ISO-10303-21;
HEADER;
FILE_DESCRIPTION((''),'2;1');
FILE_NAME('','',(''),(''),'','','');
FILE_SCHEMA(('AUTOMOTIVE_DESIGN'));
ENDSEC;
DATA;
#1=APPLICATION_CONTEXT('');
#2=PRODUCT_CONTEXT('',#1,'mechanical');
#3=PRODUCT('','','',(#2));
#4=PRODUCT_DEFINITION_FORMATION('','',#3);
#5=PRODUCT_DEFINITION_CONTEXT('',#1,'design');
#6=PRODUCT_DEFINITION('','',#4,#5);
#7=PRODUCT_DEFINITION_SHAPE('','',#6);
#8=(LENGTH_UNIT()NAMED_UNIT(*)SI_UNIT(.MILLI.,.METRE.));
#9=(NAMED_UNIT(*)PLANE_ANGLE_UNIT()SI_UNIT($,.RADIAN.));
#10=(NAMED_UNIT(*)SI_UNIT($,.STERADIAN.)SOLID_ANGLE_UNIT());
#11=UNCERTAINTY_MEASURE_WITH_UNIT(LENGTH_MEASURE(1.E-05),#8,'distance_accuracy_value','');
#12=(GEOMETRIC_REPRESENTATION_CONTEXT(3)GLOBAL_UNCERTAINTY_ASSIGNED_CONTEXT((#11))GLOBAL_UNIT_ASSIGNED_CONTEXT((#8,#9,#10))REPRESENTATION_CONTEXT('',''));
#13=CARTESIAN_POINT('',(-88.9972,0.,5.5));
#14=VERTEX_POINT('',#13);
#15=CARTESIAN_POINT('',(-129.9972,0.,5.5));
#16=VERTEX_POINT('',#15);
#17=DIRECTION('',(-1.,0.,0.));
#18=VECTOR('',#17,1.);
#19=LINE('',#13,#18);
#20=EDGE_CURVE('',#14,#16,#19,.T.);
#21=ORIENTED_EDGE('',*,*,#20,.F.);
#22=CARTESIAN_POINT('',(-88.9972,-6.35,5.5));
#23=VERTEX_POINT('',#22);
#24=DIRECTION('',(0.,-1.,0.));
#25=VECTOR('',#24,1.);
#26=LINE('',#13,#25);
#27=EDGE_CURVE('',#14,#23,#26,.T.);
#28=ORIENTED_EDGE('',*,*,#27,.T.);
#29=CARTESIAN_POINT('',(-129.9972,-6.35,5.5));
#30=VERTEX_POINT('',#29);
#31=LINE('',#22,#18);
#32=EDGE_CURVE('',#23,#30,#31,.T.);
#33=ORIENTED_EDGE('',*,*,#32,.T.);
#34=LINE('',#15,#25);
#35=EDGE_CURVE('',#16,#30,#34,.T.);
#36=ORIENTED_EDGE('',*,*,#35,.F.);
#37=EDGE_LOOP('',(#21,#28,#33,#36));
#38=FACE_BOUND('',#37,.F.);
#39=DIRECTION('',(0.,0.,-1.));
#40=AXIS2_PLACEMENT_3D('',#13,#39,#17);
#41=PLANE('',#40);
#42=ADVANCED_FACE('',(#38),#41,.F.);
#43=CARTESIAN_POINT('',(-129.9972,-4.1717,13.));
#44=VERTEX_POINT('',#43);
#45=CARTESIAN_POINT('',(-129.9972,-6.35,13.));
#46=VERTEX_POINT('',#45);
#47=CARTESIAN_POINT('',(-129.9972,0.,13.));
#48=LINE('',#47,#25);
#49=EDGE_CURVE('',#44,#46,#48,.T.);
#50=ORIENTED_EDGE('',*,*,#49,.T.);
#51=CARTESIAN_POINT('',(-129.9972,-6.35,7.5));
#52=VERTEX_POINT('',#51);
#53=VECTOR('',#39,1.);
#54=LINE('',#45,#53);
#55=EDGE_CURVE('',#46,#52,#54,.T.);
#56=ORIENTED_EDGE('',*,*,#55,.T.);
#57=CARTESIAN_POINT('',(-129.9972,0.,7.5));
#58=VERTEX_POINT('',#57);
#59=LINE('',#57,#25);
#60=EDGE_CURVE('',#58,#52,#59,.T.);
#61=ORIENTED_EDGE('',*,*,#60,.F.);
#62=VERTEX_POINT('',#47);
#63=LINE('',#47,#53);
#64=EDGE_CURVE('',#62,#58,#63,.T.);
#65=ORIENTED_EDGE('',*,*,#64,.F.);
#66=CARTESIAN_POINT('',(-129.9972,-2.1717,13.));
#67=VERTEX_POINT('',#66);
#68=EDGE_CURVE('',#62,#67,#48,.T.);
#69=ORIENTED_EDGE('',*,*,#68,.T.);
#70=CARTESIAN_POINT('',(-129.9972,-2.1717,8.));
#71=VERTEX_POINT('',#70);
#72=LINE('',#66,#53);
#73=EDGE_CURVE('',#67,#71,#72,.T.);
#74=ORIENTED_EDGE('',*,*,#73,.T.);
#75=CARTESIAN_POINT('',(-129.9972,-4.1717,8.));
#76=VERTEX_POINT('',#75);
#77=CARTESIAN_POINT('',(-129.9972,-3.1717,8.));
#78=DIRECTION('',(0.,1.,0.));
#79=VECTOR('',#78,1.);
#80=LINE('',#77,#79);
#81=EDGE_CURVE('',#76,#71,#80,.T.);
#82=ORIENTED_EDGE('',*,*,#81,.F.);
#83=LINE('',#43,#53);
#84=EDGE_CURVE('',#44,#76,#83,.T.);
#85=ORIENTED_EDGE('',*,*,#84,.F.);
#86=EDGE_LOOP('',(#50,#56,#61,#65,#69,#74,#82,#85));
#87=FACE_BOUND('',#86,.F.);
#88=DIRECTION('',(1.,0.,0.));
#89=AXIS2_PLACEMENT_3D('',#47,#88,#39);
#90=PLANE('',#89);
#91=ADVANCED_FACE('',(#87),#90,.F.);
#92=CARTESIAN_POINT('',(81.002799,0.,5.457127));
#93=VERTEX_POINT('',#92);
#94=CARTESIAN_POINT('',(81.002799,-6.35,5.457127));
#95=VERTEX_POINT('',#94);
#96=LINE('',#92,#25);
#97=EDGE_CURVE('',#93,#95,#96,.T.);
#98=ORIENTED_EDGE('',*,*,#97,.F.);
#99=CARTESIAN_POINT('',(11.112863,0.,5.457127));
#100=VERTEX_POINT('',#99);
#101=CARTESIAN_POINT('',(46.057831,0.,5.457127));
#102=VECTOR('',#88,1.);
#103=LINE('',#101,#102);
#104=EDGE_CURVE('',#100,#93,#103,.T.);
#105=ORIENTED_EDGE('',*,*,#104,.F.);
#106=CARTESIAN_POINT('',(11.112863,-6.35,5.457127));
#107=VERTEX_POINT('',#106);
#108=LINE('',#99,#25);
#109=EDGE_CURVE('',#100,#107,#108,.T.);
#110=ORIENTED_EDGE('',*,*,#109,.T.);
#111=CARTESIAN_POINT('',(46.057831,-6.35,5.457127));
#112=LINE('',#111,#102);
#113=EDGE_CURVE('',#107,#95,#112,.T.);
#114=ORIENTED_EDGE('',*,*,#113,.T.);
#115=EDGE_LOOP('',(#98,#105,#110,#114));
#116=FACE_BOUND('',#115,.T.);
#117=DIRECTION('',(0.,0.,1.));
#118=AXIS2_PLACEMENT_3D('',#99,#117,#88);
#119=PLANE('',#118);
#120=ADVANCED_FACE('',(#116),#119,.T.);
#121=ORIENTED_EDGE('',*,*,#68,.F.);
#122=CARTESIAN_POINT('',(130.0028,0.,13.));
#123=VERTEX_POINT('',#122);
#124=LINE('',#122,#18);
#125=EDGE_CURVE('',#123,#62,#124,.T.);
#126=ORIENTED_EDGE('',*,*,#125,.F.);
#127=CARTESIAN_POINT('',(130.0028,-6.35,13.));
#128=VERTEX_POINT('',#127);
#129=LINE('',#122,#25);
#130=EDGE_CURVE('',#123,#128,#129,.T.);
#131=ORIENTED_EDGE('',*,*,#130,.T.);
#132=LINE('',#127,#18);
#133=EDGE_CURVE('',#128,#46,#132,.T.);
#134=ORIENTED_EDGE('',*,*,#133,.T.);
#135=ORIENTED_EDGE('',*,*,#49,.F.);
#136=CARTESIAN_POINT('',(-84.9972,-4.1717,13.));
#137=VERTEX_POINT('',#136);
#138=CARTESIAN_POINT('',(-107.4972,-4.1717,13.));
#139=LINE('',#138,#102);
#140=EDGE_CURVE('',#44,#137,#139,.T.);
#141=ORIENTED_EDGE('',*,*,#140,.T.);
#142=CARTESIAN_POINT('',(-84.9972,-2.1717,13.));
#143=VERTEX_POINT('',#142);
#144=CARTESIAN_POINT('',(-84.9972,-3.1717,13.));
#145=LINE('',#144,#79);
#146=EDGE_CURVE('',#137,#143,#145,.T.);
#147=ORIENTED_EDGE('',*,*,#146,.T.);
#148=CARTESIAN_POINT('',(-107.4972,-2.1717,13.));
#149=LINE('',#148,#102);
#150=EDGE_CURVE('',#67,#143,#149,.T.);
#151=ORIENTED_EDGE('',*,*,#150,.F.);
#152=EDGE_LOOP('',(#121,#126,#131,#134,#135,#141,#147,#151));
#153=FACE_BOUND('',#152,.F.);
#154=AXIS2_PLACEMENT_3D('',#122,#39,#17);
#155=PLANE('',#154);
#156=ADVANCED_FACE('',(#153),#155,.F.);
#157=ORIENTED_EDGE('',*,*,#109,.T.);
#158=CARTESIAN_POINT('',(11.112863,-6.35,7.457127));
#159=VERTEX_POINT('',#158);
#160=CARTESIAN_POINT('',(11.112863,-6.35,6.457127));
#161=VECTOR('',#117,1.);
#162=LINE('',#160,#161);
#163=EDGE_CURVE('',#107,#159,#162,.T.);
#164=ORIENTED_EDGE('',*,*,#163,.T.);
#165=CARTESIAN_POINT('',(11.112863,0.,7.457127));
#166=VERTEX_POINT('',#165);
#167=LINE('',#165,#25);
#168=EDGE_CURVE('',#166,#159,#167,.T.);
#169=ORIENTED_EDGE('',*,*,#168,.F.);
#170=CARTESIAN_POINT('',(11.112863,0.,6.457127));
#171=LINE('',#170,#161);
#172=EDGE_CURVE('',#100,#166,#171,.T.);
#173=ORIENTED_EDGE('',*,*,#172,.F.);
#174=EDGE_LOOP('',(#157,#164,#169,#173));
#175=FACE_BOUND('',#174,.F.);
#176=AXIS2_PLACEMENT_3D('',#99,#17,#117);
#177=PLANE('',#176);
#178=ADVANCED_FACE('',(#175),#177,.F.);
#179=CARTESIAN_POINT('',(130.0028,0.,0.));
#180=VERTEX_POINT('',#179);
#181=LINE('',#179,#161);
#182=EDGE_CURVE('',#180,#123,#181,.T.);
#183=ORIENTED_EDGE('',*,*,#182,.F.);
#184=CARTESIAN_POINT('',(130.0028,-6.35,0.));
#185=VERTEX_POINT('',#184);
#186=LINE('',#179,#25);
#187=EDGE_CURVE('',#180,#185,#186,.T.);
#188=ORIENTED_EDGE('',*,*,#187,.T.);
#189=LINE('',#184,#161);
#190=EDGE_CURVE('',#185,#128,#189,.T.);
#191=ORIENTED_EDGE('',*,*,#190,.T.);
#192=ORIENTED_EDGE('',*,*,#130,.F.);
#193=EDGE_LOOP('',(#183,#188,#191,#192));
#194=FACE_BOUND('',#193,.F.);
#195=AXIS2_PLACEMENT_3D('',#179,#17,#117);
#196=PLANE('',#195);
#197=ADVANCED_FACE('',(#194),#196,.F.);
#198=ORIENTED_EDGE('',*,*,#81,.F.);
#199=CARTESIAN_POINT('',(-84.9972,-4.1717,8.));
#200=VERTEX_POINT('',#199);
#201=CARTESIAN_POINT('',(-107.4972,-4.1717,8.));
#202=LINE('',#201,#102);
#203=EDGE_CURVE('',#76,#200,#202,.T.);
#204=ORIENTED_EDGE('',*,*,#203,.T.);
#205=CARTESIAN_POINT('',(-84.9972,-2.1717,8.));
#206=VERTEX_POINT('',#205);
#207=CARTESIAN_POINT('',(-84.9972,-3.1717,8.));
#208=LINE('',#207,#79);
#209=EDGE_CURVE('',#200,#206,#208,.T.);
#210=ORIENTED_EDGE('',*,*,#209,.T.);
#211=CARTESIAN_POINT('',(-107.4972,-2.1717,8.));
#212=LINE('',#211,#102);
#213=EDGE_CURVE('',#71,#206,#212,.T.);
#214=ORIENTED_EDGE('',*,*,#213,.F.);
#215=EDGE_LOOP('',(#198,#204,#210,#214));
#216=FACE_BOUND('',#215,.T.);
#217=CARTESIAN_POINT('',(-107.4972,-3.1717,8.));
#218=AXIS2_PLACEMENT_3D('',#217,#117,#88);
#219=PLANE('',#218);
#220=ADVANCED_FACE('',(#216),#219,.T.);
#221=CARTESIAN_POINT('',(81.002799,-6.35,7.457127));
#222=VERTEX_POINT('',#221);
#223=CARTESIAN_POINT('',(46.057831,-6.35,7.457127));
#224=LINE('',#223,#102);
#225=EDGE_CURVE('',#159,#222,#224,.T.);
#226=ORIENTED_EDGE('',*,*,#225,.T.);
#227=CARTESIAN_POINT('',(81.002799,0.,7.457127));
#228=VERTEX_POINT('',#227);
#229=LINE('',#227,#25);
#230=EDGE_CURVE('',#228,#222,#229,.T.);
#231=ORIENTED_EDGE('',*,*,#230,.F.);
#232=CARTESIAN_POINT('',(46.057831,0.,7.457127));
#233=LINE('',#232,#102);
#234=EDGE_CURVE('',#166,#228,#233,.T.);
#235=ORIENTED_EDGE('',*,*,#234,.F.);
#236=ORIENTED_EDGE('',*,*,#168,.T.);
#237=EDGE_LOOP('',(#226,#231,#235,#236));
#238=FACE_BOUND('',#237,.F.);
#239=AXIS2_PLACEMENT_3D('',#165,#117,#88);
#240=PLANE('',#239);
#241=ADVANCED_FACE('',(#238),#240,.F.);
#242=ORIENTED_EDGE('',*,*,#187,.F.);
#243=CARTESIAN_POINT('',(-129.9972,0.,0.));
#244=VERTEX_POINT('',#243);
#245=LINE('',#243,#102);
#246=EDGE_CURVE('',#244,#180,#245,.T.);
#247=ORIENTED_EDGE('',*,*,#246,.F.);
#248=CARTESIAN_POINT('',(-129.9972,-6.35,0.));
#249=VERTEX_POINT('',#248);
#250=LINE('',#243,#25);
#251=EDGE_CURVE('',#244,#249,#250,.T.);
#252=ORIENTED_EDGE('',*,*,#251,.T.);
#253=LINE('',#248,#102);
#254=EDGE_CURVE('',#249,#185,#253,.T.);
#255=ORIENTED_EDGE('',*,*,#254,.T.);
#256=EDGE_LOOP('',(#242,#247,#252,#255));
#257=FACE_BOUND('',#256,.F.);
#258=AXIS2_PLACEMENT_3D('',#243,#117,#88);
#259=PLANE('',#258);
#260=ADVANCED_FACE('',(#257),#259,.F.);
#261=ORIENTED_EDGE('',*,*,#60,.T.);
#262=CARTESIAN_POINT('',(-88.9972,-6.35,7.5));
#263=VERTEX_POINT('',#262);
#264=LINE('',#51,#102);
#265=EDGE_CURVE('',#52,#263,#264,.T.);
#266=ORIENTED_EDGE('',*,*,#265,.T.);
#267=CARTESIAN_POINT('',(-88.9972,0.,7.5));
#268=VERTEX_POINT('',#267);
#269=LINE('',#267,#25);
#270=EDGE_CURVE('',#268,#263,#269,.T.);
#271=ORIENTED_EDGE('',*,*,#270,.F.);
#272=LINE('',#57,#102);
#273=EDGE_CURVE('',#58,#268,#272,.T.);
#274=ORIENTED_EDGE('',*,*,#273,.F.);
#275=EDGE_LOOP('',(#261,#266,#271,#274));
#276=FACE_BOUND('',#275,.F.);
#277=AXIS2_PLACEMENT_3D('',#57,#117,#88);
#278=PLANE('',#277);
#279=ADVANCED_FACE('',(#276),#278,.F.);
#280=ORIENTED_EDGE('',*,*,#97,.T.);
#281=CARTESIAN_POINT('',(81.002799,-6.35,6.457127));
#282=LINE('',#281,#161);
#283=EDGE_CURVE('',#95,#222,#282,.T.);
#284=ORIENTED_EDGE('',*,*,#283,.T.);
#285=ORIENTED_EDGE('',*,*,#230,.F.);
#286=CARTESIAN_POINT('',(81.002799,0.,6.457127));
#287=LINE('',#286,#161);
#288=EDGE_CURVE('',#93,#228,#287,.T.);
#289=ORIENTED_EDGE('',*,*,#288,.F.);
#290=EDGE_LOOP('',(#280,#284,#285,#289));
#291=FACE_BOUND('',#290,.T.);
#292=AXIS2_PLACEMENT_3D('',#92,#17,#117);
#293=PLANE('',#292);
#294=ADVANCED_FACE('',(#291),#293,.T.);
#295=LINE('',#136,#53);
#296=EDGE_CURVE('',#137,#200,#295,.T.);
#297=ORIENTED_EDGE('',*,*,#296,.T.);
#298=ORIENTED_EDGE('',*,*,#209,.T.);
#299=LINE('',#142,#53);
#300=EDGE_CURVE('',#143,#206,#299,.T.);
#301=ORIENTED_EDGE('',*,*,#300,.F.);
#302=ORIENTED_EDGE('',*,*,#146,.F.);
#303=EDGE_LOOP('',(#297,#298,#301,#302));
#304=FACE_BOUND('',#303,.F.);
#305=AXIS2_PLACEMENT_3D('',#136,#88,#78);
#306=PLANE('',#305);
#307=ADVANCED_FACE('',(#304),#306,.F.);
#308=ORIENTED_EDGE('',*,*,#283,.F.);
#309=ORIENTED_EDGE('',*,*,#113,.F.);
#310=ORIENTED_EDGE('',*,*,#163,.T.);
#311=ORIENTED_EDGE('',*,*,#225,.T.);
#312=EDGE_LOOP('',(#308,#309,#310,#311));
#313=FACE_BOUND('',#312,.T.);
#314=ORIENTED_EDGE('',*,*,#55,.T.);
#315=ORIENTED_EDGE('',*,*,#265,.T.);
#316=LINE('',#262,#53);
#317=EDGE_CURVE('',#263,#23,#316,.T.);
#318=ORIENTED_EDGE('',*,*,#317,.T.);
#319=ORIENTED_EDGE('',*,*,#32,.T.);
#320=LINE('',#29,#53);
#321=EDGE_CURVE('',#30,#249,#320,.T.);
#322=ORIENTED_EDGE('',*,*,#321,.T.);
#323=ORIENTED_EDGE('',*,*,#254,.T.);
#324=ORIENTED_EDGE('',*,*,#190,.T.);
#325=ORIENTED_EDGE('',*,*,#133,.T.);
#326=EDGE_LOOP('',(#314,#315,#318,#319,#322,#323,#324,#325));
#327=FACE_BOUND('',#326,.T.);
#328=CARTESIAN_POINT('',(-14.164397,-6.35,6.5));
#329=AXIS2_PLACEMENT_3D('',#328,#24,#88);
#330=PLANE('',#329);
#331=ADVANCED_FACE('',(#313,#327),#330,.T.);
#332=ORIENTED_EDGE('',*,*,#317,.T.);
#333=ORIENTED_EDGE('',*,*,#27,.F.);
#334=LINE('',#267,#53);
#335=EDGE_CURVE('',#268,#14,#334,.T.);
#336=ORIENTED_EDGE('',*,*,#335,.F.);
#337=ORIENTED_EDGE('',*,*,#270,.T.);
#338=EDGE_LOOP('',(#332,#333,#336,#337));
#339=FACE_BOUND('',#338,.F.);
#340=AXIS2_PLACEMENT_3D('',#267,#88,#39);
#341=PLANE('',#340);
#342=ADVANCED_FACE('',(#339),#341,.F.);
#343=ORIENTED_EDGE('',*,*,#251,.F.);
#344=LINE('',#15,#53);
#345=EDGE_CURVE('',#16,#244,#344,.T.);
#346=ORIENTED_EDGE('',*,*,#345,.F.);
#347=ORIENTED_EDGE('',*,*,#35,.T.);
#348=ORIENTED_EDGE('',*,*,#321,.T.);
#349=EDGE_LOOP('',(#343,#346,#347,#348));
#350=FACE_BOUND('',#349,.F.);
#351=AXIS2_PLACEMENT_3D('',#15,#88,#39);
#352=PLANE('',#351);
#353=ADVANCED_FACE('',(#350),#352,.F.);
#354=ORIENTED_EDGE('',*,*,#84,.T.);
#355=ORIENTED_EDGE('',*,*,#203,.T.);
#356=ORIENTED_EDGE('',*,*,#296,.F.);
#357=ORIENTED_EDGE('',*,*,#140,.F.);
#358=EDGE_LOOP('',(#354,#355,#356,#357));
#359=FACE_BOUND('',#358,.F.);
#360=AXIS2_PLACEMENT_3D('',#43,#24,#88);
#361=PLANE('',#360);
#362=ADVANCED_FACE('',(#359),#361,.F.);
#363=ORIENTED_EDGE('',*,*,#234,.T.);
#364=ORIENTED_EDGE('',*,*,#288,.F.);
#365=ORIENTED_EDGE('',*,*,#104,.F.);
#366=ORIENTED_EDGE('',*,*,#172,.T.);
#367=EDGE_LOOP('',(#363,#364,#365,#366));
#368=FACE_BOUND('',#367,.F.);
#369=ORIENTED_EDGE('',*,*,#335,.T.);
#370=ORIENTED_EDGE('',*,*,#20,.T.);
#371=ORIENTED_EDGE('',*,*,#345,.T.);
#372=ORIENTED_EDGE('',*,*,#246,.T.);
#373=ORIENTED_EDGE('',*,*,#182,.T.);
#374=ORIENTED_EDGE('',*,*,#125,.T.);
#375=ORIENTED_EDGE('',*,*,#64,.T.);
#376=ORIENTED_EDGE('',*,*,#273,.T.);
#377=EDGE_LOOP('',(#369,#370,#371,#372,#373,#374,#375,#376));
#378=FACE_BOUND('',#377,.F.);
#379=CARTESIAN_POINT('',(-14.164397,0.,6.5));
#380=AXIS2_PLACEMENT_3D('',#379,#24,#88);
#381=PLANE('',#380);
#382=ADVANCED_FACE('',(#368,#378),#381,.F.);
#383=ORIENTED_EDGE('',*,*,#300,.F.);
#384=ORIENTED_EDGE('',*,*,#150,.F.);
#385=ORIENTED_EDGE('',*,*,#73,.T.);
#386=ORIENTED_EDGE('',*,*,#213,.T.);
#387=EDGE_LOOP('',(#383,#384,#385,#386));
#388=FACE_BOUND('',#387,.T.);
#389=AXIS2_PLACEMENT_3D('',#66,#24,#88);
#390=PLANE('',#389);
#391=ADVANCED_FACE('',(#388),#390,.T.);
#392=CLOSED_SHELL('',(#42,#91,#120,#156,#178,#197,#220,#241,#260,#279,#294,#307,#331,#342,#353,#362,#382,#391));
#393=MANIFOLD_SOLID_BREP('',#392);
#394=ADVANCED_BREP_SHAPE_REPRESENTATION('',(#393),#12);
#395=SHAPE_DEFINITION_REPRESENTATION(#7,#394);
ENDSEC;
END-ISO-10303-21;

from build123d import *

# Parameters (mm, degrees)
F0_W     = 69.889937
F0_H     = 2
F1_DEPTH = 6.35
F2_W     = 45
F2_H     = 2
F3_DEPTH = 5


with BuildPart() as f1:
    # F0 (on Front) → F1 (new body)
    with BuildSketch(Plane.XZ):
        Polygon((130.0028, 13), (-129.9972, 13), (-129.9972, 7.5), (-88.9972, 7.5), (-88.9972, 5.5), (-129.9972, 5.5), (-129.9972, 0), (130.0028, 0), align=None)
        with Locations((46.057831, 6.457127)):
            Rectangle(F0_W, F0_H, mode=Mode.SUBTRACT)
    extrude(amount=F1_DEPTH)

    # F2 (on face) → F3 (cut)
    with BuildSketch(Plane.XY.offset(13)):
        with Locations((-107.4972, -3.1717)):
            Rectangle(F2_W, F2_H)
    extrude(amount=-F3_DEPTH, mode=Mode.SUBTRACT)


solid = f1.part
